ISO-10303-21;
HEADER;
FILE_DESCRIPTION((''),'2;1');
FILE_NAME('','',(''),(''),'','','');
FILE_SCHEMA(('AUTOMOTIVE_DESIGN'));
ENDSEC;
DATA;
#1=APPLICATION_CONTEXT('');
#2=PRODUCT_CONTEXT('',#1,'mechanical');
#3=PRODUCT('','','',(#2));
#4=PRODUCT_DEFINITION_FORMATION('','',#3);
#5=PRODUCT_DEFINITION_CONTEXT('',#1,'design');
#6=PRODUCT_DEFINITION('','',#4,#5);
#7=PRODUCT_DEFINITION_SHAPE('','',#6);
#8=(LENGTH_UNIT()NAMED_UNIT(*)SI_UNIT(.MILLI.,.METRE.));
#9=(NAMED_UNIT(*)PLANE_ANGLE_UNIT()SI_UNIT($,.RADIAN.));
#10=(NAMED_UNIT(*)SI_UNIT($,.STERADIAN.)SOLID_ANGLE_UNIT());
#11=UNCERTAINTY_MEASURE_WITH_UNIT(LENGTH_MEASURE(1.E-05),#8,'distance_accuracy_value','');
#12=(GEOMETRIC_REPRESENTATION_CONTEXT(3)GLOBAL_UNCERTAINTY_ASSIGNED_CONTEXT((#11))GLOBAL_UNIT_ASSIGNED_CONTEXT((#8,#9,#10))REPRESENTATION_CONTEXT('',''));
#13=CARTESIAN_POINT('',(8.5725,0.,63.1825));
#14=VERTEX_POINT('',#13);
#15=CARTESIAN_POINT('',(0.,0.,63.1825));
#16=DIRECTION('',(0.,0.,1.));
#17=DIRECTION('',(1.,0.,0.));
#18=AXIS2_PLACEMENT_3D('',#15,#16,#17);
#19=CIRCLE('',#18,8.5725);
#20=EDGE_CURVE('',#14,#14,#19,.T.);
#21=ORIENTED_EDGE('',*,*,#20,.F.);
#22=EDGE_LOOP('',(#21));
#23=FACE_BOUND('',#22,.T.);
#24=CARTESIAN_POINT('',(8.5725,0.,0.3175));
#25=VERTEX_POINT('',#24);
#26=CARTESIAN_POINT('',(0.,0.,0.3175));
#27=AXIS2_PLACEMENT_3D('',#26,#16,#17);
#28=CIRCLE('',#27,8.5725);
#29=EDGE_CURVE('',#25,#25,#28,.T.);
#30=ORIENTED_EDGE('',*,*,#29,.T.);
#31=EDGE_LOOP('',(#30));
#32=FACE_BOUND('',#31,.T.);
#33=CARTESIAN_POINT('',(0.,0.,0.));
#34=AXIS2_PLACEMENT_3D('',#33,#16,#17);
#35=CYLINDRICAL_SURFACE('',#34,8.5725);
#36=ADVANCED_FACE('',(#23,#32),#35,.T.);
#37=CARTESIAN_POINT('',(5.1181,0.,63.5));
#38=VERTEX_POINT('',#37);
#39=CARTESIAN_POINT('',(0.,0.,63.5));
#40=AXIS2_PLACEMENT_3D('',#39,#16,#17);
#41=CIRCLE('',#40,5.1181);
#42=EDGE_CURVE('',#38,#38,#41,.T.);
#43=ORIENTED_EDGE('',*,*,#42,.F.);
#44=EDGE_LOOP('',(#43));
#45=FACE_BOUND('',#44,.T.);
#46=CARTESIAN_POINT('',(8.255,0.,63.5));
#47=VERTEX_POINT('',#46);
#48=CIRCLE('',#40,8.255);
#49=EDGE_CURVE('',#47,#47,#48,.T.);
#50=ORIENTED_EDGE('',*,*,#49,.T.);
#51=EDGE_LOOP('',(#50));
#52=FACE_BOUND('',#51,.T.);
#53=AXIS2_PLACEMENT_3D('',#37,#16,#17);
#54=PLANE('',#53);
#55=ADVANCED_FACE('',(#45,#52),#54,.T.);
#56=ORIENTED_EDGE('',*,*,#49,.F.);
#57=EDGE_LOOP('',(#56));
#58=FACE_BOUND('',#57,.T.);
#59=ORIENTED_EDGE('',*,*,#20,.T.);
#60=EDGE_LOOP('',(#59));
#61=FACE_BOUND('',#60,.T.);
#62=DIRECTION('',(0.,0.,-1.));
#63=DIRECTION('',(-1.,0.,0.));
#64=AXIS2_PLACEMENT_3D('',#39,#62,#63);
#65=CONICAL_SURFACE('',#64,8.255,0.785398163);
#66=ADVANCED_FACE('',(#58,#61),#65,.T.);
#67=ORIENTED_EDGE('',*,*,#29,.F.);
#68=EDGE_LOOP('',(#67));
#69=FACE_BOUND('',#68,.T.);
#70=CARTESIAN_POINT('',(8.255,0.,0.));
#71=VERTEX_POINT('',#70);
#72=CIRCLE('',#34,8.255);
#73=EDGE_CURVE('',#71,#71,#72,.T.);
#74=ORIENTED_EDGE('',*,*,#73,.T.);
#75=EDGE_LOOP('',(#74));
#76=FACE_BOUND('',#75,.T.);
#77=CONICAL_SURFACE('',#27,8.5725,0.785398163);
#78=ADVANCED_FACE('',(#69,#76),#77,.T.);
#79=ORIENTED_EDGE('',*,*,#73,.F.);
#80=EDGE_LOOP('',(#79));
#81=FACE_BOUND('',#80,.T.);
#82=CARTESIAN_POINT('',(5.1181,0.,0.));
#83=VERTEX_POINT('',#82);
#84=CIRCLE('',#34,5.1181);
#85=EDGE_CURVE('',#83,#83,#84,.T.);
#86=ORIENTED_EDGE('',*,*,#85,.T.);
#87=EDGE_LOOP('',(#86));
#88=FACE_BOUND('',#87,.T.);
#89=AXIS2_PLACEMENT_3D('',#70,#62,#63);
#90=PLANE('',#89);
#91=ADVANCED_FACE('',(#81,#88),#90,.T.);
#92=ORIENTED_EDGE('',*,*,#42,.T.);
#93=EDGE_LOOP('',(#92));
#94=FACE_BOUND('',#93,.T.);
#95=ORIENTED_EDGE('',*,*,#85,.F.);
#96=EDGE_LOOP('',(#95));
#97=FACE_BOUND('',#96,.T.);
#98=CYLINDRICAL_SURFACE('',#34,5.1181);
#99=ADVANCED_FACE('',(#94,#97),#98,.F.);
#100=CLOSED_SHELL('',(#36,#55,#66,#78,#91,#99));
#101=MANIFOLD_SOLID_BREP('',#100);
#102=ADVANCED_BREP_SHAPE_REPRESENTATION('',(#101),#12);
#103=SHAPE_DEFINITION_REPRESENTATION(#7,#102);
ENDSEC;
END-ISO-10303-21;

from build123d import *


with BuildPart() as part:
    # Sketch1 → Revolve1 (revolve)
    with BuildSketch(Plane(origin=(0, 0, 0), x_dir=(1, 0, 0), z_dir=(0, 1, 0))):
        Polygon((8.255, 0), (5.1181, 0), (5.1181, -63.5), (8.255, -63.5), (8.5725, -63.1825), (8.5725, -0.3175), align=None)
    revolve(axis=Axis((0, 0, 0), (0, 0, 1)))


solid = part.part
